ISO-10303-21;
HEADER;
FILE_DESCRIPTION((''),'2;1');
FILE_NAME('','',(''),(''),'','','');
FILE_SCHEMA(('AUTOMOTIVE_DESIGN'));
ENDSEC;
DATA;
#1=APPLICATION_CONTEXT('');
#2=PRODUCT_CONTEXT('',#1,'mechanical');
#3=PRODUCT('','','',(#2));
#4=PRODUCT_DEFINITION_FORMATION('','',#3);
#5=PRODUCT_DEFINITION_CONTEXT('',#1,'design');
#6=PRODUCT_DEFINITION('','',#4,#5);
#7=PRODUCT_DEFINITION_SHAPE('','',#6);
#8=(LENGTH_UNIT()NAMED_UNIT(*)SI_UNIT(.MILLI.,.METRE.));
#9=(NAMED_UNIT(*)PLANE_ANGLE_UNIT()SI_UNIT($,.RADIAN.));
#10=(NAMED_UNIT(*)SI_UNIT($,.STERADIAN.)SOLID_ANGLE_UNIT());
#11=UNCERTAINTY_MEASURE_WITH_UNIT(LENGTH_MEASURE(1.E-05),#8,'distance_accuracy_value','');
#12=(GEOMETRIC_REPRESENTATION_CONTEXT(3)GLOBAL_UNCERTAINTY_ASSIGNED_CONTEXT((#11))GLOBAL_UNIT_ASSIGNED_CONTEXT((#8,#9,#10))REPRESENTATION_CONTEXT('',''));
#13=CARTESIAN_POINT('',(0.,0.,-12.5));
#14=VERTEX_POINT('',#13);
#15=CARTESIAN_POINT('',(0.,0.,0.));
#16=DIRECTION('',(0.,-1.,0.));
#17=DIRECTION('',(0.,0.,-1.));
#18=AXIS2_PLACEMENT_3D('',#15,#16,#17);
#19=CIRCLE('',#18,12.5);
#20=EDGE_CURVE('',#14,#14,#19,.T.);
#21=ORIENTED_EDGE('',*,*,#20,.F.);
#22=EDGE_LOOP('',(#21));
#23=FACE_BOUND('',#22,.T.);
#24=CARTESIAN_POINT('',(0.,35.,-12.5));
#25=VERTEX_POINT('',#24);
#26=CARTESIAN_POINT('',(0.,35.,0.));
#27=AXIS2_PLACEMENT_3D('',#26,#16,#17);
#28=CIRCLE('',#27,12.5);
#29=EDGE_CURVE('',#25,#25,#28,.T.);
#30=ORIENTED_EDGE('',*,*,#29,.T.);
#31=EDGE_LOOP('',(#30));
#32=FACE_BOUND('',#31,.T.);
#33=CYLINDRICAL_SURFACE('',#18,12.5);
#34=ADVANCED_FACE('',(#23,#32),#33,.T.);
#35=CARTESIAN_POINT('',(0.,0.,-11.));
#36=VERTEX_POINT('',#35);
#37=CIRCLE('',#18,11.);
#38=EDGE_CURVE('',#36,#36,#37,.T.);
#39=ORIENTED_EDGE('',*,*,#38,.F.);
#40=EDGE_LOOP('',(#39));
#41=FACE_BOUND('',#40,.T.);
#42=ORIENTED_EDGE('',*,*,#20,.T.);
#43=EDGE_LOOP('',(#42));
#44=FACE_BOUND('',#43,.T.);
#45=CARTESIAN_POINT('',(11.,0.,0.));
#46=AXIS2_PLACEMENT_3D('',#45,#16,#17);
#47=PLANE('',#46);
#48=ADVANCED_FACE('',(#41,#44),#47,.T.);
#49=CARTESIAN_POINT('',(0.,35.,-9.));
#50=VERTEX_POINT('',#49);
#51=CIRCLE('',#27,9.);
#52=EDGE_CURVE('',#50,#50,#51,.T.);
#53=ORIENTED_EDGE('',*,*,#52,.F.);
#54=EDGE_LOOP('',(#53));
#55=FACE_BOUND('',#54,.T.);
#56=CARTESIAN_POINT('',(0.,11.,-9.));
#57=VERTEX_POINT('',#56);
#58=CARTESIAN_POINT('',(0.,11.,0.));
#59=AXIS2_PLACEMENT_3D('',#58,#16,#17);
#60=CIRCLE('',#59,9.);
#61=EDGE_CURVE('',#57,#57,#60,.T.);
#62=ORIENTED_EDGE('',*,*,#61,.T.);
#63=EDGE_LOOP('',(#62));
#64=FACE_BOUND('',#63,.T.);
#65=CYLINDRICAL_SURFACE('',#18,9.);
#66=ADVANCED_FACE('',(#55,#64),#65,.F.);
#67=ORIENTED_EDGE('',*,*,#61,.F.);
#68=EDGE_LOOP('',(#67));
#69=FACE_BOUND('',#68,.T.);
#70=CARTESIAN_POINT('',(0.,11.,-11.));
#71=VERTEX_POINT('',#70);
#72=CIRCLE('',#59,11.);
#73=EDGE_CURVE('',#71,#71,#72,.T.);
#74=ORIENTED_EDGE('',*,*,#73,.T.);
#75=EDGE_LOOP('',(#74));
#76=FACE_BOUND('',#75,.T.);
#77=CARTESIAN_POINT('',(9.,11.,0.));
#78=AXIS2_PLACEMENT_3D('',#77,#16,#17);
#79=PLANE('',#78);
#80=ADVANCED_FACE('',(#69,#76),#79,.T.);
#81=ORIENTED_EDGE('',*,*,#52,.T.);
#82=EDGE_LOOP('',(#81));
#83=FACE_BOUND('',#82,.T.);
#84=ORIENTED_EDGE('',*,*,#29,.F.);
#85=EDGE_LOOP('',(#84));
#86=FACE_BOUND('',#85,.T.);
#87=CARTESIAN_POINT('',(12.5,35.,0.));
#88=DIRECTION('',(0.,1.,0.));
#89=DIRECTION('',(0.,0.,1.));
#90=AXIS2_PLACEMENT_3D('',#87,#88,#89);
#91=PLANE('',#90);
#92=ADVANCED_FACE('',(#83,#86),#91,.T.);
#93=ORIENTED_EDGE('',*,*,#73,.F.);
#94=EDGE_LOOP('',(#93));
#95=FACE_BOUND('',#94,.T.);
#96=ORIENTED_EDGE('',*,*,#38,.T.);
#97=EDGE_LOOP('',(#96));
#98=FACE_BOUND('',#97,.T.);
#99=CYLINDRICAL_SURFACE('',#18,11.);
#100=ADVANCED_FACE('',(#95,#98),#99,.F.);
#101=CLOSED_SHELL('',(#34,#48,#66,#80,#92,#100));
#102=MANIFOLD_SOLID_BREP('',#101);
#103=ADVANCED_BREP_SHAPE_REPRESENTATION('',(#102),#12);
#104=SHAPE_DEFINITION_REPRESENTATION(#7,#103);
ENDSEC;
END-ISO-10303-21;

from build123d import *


with BuildPart() as part:
    # Sketch1 → Revolve1 (revolve)
    with BuildSketch(Plane.XY, mode=Mode.PRIVATE) as revolve1_sk:
        Polygon((12.5, 0), (12.5, 35), (9, 35), (9, 11), (11, 11), (11, 0), align=None)
    revolve(revolve1_sk.sketch.rotate(Axis((0, 0, 0), (0, 1, 0)), 90), axis=Axis((0, 0, 0), (0, 1, 0)))


solid = part.part
